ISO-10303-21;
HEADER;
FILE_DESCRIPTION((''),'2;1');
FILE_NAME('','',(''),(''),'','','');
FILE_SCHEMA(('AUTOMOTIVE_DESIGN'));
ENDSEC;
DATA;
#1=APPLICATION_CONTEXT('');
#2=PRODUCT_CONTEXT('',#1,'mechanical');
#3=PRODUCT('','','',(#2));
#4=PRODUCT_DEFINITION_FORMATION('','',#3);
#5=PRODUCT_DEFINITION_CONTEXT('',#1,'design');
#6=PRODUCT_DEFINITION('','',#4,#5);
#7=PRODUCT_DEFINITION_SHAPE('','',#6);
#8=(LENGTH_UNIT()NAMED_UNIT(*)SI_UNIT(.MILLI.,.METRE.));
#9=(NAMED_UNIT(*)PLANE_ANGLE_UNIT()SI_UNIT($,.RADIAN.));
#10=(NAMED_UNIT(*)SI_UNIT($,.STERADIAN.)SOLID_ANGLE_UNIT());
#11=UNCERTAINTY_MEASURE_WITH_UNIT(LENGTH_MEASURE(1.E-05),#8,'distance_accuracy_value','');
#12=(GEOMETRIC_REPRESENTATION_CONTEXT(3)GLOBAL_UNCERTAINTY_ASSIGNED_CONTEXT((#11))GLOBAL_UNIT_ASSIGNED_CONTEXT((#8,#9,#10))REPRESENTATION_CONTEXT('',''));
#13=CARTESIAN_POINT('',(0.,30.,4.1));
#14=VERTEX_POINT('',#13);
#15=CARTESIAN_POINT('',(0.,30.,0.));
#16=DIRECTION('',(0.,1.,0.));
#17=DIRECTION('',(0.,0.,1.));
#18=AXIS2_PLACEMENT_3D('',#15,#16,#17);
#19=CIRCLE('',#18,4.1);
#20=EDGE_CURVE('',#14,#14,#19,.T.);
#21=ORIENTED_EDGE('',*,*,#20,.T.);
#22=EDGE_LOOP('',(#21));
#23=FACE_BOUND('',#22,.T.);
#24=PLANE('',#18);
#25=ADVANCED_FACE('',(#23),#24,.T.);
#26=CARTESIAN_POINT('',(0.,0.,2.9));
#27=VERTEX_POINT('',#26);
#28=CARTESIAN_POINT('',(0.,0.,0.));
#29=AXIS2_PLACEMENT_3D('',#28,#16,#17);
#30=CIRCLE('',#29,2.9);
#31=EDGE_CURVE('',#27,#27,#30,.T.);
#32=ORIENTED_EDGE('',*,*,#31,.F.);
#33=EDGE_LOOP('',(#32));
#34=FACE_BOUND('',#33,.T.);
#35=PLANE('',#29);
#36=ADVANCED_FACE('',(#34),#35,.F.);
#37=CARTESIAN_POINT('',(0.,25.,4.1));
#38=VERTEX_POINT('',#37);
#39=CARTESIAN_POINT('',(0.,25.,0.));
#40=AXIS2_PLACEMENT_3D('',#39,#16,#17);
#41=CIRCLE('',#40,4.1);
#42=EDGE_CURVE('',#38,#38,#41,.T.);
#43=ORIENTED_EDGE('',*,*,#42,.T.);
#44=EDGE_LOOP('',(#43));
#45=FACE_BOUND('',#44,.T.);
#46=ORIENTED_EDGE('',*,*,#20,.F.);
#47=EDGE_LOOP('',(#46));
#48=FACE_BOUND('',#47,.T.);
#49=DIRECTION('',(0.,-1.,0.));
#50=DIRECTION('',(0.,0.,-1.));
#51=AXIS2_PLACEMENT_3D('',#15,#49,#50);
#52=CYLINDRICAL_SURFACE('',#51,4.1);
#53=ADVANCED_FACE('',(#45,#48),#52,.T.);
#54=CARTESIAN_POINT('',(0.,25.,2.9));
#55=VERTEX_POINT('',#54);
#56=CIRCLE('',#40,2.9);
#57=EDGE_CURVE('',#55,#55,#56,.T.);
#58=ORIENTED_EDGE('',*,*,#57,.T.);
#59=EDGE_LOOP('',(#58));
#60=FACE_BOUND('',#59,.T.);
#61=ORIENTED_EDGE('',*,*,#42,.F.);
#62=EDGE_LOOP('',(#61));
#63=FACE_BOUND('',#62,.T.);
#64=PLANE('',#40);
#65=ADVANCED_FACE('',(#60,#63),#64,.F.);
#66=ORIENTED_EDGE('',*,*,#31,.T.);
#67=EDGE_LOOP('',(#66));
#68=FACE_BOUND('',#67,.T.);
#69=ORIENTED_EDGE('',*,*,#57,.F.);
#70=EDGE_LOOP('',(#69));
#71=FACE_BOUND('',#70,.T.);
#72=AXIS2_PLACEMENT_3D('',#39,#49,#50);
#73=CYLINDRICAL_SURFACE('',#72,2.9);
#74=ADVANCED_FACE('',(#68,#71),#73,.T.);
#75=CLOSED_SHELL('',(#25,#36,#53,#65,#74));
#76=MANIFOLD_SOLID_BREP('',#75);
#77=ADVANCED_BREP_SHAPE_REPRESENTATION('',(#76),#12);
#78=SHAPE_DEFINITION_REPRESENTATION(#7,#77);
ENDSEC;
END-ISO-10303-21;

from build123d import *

# Parameters (mm, degrees)
SKETCH_1_R      = 2.9
EXTRUDE_1_DEPTH = 25
SKETCH_2_R      = 4.1
EXTRUDE_2_DEPTH = 5


with BuildPart() as part:
    # 草图1 → 凸台-拉伸1 (new body)
    with BuildSketch(Plane(origin=(0, 0, 0), x_dir=(1, 0, 0), z_dir=(0, 1, 0))):
        with Locations(Location((0, 0, 0), (0, 0, 270))):
            Circle(SKETCH_1_R)
    extrude(amount=EXTRUDE_1_DEPTH)

    # 草图2 → 凸台-拉伸2 (add)
    with BuildSketch(Plane(origin=(0, 25, 0), x_dir=(1, 0, 0), z_dir=(0, 1, 0))):
        with Locations(Location((0, 0, 0), (0, 0, 270))):
            Circle(SKETCH_2_R)
    extrude(amount=EXTRUDE_2_DEPTH)


solid = part.part
